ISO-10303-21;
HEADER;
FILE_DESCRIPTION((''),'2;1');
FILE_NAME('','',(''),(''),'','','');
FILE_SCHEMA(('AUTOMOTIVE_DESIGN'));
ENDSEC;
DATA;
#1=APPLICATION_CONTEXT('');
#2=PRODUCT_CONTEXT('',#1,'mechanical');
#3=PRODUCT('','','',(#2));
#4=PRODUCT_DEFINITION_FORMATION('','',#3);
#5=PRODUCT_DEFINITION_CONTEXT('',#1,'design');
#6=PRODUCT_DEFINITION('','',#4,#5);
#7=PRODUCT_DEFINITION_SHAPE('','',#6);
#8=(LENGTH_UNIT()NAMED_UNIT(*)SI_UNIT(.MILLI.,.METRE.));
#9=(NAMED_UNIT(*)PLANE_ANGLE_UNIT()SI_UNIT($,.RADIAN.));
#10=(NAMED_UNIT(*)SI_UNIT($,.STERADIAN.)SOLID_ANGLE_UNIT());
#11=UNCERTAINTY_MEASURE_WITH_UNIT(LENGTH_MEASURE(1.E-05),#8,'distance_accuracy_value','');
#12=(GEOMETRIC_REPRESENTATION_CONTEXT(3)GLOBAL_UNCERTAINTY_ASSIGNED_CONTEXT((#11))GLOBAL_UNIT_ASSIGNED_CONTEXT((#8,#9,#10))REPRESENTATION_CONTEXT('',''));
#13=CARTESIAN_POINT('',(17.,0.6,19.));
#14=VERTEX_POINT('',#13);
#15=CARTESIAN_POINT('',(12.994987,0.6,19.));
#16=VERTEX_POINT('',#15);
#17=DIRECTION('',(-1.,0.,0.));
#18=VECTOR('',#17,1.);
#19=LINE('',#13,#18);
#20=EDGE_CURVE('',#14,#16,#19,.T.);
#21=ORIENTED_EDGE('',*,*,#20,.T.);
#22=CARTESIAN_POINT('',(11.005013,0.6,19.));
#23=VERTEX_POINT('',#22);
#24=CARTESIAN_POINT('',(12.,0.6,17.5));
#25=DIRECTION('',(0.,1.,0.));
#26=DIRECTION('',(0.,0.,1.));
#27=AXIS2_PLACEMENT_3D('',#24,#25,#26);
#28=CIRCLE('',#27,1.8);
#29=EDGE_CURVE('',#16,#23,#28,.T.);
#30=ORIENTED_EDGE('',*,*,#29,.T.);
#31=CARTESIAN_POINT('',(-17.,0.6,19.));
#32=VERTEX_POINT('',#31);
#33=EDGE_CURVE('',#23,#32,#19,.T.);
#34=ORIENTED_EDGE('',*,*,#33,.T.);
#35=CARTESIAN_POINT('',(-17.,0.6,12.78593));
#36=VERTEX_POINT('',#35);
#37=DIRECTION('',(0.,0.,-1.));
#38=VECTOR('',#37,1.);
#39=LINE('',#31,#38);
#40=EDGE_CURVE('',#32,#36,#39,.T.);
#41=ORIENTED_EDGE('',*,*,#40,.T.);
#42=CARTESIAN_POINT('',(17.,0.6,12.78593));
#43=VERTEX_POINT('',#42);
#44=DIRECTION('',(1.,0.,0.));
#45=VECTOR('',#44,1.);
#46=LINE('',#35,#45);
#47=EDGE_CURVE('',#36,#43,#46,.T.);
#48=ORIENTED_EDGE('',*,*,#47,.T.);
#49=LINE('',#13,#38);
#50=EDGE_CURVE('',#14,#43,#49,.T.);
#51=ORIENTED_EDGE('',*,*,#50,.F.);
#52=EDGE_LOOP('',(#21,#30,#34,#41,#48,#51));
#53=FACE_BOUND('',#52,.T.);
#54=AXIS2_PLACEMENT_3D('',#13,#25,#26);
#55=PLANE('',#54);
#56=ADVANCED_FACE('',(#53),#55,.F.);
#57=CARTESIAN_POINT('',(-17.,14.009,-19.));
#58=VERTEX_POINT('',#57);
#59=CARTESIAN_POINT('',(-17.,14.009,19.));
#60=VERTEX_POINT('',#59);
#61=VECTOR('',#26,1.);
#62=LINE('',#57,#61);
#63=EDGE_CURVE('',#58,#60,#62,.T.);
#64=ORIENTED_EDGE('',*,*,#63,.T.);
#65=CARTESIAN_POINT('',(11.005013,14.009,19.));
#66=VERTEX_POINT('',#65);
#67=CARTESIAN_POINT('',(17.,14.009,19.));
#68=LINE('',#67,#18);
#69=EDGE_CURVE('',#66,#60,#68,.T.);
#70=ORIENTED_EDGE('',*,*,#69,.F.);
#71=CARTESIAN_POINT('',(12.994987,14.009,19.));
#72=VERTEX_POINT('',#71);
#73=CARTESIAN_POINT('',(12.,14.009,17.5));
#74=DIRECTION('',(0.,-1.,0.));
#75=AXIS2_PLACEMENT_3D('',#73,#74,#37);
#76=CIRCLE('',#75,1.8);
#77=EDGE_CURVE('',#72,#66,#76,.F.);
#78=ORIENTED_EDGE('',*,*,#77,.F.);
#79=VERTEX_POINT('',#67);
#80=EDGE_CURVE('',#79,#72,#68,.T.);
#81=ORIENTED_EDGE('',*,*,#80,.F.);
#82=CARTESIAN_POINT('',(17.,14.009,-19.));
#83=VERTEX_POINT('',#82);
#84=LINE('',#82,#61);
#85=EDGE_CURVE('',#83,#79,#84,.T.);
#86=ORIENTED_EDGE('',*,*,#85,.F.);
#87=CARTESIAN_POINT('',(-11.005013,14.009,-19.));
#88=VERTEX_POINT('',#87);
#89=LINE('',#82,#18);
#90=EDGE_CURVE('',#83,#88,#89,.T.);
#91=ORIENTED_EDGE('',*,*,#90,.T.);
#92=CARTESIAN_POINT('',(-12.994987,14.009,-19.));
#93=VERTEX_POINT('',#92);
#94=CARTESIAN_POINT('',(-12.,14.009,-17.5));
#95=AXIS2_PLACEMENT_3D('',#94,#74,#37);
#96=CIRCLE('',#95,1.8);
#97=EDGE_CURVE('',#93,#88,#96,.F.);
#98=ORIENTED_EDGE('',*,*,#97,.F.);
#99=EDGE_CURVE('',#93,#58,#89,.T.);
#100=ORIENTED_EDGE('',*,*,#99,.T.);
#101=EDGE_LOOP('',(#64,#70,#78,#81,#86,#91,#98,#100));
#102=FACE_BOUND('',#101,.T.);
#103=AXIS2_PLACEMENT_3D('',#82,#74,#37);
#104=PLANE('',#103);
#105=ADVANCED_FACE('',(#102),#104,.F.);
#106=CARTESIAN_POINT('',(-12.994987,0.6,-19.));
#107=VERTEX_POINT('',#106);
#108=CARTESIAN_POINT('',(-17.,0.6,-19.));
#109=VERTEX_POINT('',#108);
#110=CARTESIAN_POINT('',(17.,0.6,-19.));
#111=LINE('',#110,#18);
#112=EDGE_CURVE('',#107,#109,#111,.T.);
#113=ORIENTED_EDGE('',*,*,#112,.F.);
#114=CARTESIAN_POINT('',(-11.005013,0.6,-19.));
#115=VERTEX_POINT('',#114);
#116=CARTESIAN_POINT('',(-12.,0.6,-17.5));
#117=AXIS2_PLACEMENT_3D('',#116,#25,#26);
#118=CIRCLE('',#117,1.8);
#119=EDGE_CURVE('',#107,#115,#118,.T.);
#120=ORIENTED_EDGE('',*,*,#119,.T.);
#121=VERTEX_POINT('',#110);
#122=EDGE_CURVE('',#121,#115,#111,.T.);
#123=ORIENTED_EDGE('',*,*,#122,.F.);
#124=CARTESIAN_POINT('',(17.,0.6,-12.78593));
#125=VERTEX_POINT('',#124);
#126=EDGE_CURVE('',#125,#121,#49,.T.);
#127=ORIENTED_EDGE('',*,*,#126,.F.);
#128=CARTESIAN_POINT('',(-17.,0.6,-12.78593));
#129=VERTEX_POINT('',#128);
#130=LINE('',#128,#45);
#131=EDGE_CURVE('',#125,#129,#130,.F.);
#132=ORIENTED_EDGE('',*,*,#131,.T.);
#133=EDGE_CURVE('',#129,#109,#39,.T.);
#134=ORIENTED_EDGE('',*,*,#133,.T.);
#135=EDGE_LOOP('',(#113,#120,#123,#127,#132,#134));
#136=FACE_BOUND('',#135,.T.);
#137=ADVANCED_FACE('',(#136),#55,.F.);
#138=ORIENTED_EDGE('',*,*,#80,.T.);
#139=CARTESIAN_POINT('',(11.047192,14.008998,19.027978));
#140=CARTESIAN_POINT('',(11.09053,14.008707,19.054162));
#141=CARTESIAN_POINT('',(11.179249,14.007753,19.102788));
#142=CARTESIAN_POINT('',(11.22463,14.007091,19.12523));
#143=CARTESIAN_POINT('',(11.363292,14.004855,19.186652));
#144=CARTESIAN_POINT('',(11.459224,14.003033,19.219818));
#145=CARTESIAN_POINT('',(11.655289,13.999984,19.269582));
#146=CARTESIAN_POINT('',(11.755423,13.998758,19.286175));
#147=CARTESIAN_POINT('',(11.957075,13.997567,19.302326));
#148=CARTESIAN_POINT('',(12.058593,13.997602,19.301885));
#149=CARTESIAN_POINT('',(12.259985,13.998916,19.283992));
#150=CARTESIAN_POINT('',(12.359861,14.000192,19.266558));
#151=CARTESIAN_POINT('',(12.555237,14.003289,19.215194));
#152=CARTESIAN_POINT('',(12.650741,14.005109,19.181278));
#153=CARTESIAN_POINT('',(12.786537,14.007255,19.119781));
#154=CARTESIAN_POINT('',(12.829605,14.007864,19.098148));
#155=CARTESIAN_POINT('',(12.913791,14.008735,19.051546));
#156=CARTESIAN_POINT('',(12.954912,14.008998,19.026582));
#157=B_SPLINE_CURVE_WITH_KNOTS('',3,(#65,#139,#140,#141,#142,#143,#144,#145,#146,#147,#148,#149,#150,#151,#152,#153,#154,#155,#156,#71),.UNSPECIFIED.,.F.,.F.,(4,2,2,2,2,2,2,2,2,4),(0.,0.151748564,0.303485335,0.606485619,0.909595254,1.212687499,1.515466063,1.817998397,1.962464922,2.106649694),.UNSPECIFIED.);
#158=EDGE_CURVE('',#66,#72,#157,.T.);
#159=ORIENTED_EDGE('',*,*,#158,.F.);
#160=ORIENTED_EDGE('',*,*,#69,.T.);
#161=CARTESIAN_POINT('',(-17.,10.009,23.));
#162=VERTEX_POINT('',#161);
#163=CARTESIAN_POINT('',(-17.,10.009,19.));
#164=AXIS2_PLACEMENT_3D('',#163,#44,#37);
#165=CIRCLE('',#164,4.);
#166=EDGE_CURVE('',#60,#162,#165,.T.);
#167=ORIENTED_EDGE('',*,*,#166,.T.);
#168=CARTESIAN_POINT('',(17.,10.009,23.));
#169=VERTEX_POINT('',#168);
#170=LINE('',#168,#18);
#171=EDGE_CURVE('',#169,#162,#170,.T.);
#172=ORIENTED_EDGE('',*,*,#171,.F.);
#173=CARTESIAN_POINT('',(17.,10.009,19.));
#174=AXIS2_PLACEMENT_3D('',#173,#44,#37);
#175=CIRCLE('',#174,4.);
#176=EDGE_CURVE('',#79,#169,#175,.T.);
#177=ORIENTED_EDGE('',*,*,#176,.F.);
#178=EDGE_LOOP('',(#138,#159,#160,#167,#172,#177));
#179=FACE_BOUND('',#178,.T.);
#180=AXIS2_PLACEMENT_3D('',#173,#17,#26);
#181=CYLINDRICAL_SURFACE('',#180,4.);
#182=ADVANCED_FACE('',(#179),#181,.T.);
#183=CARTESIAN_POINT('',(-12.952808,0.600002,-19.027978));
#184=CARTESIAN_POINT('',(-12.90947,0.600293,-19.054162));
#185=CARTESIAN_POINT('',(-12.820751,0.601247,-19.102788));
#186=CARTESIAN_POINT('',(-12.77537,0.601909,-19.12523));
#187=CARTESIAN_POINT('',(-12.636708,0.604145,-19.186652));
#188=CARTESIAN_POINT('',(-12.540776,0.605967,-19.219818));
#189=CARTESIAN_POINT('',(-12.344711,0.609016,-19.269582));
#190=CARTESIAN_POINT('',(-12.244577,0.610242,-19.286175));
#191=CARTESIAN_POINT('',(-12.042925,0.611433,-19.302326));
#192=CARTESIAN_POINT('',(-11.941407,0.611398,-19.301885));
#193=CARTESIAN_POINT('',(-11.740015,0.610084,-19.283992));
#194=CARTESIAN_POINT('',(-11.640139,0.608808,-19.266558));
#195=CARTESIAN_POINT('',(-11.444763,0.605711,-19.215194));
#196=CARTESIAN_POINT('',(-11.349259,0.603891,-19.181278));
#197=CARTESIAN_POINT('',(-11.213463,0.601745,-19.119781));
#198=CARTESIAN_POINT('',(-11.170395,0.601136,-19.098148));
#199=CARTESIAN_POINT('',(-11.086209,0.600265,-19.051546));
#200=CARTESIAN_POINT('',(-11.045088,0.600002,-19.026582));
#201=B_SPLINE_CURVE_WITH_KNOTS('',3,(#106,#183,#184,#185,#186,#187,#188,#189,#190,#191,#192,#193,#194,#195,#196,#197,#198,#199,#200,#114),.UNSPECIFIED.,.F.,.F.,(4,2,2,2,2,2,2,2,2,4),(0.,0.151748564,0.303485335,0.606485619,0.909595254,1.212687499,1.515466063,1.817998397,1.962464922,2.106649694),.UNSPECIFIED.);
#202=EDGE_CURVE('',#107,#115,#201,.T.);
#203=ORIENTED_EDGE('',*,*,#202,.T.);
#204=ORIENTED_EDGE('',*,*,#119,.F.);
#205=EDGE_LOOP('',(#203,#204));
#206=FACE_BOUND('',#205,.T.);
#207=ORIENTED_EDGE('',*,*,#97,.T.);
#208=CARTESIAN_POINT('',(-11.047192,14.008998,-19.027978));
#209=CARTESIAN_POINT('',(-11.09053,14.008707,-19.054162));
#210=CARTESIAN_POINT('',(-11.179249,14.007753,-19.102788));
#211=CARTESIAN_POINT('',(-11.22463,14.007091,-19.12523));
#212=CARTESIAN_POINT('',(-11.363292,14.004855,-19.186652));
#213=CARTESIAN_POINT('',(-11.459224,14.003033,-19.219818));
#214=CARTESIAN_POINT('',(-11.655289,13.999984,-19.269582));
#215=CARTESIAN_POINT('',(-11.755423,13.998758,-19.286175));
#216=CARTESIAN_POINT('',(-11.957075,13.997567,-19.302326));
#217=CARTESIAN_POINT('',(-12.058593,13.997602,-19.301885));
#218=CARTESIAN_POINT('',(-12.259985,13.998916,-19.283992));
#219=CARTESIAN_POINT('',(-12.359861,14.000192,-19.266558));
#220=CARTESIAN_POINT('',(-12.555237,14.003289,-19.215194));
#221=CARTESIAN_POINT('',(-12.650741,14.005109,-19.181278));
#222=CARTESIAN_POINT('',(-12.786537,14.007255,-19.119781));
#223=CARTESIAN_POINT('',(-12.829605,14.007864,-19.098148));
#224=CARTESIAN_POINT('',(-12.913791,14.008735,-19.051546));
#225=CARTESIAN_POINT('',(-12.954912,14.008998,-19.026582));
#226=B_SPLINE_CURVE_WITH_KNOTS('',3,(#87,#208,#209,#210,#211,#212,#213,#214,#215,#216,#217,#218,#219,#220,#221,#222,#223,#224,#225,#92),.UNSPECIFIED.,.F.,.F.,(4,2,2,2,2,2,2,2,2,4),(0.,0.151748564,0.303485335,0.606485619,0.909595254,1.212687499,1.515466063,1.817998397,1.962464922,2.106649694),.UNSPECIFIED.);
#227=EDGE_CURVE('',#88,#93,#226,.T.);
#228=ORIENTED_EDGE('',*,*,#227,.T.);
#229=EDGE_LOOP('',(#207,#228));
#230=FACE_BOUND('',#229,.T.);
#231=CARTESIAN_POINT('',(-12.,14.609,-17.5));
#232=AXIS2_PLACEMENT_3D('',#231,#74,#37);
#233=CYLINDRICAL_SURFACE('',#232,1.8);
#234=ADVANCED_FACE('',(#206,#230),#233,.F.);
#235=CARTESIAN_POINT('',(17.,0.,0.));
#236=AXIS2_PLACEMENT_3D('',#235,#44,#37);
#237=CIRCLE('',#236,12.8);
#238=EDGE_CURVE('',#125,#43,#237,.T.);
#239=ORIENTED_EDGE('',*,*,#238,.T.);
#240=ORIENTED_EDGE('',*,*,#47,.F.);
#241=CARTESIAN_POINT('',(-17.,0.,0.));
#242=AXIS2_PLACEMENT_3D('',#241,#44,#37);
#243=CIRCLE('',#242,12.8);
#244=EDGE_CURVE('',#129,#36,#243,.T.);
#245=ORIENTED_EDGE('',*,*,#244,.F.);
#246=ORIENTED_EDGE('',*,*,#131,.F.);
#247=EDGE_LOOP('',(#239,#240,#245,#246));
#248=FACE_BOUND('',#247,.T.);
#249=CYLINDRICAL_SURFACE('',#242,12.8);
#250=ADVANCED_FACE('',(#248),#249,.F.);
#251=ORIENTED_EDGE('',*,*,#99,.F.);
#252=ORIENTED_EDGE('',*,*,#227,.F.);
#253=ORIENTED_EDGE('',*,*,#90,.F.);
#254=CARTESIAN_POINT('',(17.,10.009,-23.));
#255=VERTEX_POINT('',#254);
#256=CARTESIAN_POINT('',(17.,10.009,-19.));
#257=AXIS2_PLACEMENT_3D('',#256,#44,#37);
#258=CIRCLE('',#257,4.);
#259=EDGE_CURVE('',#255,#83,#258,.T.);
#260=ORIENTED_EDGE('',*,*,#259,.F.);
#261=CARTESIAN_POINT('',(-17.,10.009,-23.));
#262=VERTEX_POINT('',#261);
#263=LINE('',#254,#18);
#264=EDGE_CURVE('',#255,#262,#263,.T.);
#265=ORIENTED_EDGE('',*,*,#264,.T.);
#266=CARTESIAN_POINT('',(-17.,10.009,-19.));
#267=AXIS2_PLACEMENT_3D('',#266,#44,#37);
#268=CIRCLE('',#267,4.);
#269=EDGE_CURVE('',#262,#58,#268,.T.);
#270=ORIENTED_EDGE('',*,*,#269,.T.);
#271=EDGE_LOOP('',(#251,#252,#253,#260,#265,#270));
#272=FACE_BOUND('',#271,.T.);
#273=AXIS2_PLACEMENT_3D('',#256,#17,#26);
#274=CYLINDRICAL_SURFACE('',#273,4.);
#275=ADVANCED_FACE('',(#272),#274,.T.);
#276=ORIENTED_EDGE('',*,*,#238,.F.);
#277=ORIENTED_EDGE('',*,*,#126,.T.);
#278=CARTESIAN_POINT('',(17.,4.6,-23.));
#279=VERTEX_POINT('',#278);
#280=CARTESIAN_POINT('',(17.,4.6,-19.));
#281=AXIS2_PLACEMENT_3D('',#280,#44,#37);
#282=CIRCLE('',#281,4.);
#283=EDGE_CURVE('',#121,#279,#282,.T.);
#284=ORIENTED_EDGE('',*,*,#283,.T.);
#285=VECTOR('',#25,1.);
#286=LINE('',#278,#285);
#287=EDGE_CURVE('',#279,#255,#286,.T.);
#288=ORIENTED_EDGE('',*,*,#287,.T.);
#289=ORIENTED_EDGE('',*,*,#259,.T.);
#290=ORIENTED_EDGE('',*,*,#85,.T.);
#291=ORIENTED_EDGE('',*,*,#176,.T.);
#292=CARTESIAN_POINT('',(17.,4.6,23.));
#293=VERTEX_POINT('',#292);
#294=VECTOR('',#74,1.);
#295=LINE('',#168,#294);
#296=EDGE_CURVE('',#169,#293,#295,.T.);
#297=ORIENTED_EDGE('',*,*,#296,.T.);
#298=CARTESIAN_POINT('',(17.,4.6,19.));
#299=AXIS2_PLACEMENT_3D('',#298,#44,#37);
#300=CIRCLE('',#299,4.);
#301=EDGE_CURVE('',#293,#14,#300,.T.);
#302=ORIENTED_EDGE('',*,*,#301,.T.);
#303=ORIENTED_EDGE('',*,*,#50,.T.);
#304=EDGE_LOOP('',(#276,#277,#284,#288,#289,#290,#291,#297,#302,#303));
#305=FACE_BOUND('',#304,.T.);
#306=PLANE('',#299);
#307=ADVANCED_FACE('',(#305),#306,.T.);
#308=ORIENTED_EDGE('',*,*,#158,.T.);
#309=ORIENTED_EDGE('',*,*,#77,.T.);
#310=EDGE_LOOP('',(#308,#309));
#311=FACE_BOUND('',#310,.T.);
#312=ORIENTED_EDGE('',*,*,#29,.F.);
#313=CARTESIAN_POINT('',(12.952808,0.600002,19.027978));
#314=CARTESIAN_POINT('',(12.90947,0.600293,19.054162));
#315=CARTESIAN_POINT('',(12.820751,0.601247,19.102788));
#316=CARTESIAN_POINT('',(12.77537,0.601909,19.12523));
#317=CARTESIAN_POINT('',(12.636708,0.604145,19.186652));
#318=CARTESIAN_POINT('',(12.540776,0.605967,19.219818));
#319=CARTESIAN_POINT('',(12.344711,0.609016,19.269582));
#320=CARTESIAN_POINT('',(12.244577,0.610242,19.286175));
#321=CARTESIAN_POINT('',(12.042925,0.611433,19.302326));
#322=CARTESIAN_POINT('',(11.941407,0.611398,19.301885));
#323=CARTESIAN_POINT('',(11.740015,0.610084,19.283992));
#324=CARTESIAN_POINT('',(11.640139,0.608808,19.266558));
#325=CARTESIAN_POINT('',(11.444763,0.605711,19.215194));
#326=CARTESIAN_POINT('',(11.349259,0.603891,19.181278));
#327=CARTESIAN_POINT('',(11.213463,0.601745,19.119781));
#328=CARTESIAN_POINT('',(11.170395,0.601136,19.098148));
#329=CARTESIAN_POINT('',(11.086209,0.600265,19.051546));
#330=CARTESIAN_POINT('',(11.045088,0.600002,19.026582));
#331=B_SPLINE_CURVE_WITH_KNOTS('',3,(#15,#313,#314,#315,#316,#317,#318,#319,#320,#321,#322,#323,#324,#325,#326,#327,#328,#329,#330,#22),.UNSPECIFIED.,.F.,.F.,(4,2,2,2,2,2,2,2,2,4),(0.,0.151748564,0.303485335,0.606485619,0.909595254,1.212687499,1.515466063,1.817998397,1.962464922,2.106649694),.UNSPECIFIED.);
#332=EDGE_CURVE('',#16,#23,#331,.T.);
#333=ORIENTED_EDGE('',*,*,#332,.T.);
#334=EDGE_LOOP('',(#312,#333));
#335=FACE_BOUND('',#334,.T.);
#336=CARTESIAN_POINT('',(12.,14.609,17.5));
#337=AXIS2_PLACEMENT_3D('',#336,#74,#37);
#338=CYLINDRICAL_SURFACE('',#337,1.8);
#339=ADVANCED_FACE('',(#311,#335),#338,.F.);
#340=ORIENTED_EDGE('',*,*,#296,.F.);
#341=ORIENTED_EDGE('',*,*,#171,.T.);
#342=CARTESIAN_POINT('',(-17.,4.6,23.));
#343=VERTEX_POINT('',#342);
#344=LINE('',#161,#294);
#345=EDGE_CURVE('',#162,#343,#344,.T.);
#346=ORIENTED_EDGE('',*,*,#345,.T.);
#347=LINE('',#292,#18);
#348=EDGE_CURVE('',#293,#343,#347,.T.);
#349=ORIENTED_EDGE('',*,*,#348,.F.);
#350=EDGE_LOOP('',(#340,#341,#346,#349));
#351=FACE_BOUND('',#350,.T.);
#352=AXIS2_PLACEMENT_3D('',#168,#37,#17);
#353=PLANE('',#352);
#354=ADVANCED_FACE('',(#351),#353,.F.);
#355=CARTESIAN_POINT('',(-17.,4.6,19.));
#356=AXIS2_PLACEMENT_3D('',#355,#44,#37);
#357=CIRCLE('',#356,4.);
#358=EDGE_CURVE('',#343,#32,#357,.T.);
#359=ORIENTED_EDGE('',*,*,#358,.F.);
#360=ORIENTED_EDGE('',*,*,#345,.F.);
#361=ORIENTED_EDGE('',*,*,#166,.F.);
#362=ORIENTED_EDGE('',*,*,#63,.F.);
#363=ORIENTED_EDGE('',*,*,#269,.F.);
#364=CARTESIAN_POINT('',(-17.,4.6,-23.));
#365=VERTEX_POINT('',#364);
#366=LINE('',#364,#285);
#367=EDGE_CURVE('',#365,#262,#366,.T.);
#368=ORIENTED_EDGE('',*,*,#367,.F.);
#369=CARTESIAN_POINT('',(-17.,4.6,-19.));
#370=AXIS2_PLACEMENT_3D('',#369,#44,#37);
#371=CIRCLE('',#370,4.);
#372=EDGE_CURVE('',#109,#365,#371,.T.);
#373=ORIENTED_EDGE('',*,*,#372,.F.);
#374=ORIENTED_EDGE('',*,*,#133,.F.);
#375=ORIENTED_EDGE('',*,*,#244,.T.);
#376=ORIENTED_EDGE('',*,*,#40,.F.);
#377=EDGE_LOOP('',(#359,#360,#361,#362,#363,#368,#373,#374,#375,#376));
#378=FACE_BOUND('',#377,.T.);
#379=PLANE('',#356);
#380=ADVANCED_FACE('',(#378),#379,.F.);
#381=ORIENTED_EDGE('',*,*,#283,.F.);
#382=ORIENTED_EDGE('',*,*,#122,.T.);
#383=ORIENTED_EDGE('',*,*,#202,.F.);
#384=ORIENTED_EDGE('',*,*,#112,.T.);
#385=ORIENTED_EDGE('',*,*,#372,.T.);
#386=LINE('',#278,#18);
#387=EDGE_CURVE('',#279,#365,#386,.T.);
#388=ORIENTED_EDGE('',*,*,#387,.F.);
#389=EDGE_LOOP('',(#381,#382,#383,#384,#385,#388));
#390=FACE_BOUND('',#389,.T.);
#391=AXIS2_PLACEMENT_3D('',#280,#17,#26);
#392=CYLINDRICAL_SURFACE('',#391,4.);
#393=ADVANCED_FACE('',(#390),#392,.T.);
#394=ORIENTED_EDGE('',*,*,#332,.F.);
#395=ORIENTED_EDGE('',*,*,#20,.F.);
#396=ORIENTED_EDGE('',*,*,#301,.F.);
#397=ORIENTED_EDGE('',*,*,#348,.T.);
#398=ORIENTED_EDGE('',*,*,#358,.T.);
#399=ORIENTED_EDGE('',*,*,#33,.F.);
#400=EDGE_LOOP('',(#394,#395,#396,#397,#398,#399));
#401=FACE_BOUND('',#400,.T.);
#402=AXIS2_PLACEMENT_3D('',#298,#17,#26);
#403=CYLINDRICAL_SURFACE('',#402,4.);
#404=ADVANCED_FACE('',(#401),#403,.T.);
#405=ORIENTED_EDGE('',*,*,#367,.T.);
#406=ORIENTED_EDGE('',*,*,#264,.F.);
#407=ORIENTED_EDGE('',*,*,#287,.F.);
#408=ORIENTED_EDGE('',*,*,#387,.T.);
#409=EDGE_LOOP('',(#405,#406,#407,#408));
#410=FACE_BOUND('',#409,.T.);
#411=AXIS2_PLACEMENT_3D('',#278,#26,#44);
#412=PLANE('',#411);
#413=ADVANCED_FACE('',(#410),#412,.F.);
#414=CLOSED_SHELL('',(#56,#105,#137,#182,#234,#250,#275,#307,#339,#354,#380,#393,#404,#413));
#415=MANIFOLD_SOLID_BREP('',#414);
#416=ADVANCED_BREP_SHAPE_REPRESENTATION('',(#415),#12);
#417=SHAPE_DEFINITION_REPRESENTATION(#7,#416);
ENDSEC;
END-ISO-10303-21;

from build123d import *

# Parameters (mm, degrees)
BOSS_EXTRUDE1_DEPTH     = 17
CUT_EXTRUDE1_DEPTH      = 32.84732455
CUT_EXTRUDE1_DEPTH_BACK = 32.84732455
SKETCH2_R               = 12.8
SKETCH3_R               = 1.8
CUT_EXTRUDE2_DEPTH      = 14.009


with BuildPart() as part:
    # Sketch1 → Boss-Extrude1 (new, symmetric)
    with BuildSketch(Plane(origin=(0, 0, 0), x_dir=(0, 0, -1), z_dir=(1, 0, 0))):
        with BuildLine():
            Line((-19, 0.6), (19, 0.6))
            ThreePointArc((19, 0.6), (21.828427125, 1.771572875), (23, 4.6))
            Line((23, 4.6), (23, 10.009))
            ThreePointArc((23, 10.009), (21.828427125, 12.837427125), (19, 14.009))
            Line((19, 14.009), (-19, 14.009))
            ThreePointArc((-19, 14.009), (-21.828427125, 12.837427125), (-23, 10.009))
            Line((-23, 10.009), (-23, 4.6))
            ThreePointArc((-23, 4.6), (-21.828427125, 1.771572875), (-19, 0.6))
        make_face()
    extrude(amount=BOSS_EXTRUDE1_DEPTH, both=True)

    # Sketch2 → Cut-Extrude1 (cut, two sides: drawn at the far end of the back side and taken through both)
    with BuildSketch(Plane(origin=(0, 0, 0), x_dir=(0, 0, -1), z_dir=(1, 0, 0)).offset(-CUT_EXTRUDE1_DEPTH_BACK)):
        Circle(SKETCH2_R)
    extrude(amount=CUT_EXTRUDE1_DEPTH + CUT_EXTRUDE1_DEPTH_BACK, mode=Mode.SUBTRACT)

    # Sketch3 → Cut-Extrude2 (cut)
    with BuildSketch(Plane(origin=(0, 0.6, 0), x_dir=(1, 0, 0), z_dir=(0, 1, 0))):
        with Locations(Location((12, -17.5, 0), (0, 0, 236.442690238))):
            Circle(SKETCH3_R)
        with Locations(Location((-12, 17.5, 0), (0, 0, 123.557309762))):
            Circle(SKETCH3_R)
    extrude(amount=CUT_EXTRUDE2_DEPTH, mode=Mode.SUBTRACT)


solid = part.part
